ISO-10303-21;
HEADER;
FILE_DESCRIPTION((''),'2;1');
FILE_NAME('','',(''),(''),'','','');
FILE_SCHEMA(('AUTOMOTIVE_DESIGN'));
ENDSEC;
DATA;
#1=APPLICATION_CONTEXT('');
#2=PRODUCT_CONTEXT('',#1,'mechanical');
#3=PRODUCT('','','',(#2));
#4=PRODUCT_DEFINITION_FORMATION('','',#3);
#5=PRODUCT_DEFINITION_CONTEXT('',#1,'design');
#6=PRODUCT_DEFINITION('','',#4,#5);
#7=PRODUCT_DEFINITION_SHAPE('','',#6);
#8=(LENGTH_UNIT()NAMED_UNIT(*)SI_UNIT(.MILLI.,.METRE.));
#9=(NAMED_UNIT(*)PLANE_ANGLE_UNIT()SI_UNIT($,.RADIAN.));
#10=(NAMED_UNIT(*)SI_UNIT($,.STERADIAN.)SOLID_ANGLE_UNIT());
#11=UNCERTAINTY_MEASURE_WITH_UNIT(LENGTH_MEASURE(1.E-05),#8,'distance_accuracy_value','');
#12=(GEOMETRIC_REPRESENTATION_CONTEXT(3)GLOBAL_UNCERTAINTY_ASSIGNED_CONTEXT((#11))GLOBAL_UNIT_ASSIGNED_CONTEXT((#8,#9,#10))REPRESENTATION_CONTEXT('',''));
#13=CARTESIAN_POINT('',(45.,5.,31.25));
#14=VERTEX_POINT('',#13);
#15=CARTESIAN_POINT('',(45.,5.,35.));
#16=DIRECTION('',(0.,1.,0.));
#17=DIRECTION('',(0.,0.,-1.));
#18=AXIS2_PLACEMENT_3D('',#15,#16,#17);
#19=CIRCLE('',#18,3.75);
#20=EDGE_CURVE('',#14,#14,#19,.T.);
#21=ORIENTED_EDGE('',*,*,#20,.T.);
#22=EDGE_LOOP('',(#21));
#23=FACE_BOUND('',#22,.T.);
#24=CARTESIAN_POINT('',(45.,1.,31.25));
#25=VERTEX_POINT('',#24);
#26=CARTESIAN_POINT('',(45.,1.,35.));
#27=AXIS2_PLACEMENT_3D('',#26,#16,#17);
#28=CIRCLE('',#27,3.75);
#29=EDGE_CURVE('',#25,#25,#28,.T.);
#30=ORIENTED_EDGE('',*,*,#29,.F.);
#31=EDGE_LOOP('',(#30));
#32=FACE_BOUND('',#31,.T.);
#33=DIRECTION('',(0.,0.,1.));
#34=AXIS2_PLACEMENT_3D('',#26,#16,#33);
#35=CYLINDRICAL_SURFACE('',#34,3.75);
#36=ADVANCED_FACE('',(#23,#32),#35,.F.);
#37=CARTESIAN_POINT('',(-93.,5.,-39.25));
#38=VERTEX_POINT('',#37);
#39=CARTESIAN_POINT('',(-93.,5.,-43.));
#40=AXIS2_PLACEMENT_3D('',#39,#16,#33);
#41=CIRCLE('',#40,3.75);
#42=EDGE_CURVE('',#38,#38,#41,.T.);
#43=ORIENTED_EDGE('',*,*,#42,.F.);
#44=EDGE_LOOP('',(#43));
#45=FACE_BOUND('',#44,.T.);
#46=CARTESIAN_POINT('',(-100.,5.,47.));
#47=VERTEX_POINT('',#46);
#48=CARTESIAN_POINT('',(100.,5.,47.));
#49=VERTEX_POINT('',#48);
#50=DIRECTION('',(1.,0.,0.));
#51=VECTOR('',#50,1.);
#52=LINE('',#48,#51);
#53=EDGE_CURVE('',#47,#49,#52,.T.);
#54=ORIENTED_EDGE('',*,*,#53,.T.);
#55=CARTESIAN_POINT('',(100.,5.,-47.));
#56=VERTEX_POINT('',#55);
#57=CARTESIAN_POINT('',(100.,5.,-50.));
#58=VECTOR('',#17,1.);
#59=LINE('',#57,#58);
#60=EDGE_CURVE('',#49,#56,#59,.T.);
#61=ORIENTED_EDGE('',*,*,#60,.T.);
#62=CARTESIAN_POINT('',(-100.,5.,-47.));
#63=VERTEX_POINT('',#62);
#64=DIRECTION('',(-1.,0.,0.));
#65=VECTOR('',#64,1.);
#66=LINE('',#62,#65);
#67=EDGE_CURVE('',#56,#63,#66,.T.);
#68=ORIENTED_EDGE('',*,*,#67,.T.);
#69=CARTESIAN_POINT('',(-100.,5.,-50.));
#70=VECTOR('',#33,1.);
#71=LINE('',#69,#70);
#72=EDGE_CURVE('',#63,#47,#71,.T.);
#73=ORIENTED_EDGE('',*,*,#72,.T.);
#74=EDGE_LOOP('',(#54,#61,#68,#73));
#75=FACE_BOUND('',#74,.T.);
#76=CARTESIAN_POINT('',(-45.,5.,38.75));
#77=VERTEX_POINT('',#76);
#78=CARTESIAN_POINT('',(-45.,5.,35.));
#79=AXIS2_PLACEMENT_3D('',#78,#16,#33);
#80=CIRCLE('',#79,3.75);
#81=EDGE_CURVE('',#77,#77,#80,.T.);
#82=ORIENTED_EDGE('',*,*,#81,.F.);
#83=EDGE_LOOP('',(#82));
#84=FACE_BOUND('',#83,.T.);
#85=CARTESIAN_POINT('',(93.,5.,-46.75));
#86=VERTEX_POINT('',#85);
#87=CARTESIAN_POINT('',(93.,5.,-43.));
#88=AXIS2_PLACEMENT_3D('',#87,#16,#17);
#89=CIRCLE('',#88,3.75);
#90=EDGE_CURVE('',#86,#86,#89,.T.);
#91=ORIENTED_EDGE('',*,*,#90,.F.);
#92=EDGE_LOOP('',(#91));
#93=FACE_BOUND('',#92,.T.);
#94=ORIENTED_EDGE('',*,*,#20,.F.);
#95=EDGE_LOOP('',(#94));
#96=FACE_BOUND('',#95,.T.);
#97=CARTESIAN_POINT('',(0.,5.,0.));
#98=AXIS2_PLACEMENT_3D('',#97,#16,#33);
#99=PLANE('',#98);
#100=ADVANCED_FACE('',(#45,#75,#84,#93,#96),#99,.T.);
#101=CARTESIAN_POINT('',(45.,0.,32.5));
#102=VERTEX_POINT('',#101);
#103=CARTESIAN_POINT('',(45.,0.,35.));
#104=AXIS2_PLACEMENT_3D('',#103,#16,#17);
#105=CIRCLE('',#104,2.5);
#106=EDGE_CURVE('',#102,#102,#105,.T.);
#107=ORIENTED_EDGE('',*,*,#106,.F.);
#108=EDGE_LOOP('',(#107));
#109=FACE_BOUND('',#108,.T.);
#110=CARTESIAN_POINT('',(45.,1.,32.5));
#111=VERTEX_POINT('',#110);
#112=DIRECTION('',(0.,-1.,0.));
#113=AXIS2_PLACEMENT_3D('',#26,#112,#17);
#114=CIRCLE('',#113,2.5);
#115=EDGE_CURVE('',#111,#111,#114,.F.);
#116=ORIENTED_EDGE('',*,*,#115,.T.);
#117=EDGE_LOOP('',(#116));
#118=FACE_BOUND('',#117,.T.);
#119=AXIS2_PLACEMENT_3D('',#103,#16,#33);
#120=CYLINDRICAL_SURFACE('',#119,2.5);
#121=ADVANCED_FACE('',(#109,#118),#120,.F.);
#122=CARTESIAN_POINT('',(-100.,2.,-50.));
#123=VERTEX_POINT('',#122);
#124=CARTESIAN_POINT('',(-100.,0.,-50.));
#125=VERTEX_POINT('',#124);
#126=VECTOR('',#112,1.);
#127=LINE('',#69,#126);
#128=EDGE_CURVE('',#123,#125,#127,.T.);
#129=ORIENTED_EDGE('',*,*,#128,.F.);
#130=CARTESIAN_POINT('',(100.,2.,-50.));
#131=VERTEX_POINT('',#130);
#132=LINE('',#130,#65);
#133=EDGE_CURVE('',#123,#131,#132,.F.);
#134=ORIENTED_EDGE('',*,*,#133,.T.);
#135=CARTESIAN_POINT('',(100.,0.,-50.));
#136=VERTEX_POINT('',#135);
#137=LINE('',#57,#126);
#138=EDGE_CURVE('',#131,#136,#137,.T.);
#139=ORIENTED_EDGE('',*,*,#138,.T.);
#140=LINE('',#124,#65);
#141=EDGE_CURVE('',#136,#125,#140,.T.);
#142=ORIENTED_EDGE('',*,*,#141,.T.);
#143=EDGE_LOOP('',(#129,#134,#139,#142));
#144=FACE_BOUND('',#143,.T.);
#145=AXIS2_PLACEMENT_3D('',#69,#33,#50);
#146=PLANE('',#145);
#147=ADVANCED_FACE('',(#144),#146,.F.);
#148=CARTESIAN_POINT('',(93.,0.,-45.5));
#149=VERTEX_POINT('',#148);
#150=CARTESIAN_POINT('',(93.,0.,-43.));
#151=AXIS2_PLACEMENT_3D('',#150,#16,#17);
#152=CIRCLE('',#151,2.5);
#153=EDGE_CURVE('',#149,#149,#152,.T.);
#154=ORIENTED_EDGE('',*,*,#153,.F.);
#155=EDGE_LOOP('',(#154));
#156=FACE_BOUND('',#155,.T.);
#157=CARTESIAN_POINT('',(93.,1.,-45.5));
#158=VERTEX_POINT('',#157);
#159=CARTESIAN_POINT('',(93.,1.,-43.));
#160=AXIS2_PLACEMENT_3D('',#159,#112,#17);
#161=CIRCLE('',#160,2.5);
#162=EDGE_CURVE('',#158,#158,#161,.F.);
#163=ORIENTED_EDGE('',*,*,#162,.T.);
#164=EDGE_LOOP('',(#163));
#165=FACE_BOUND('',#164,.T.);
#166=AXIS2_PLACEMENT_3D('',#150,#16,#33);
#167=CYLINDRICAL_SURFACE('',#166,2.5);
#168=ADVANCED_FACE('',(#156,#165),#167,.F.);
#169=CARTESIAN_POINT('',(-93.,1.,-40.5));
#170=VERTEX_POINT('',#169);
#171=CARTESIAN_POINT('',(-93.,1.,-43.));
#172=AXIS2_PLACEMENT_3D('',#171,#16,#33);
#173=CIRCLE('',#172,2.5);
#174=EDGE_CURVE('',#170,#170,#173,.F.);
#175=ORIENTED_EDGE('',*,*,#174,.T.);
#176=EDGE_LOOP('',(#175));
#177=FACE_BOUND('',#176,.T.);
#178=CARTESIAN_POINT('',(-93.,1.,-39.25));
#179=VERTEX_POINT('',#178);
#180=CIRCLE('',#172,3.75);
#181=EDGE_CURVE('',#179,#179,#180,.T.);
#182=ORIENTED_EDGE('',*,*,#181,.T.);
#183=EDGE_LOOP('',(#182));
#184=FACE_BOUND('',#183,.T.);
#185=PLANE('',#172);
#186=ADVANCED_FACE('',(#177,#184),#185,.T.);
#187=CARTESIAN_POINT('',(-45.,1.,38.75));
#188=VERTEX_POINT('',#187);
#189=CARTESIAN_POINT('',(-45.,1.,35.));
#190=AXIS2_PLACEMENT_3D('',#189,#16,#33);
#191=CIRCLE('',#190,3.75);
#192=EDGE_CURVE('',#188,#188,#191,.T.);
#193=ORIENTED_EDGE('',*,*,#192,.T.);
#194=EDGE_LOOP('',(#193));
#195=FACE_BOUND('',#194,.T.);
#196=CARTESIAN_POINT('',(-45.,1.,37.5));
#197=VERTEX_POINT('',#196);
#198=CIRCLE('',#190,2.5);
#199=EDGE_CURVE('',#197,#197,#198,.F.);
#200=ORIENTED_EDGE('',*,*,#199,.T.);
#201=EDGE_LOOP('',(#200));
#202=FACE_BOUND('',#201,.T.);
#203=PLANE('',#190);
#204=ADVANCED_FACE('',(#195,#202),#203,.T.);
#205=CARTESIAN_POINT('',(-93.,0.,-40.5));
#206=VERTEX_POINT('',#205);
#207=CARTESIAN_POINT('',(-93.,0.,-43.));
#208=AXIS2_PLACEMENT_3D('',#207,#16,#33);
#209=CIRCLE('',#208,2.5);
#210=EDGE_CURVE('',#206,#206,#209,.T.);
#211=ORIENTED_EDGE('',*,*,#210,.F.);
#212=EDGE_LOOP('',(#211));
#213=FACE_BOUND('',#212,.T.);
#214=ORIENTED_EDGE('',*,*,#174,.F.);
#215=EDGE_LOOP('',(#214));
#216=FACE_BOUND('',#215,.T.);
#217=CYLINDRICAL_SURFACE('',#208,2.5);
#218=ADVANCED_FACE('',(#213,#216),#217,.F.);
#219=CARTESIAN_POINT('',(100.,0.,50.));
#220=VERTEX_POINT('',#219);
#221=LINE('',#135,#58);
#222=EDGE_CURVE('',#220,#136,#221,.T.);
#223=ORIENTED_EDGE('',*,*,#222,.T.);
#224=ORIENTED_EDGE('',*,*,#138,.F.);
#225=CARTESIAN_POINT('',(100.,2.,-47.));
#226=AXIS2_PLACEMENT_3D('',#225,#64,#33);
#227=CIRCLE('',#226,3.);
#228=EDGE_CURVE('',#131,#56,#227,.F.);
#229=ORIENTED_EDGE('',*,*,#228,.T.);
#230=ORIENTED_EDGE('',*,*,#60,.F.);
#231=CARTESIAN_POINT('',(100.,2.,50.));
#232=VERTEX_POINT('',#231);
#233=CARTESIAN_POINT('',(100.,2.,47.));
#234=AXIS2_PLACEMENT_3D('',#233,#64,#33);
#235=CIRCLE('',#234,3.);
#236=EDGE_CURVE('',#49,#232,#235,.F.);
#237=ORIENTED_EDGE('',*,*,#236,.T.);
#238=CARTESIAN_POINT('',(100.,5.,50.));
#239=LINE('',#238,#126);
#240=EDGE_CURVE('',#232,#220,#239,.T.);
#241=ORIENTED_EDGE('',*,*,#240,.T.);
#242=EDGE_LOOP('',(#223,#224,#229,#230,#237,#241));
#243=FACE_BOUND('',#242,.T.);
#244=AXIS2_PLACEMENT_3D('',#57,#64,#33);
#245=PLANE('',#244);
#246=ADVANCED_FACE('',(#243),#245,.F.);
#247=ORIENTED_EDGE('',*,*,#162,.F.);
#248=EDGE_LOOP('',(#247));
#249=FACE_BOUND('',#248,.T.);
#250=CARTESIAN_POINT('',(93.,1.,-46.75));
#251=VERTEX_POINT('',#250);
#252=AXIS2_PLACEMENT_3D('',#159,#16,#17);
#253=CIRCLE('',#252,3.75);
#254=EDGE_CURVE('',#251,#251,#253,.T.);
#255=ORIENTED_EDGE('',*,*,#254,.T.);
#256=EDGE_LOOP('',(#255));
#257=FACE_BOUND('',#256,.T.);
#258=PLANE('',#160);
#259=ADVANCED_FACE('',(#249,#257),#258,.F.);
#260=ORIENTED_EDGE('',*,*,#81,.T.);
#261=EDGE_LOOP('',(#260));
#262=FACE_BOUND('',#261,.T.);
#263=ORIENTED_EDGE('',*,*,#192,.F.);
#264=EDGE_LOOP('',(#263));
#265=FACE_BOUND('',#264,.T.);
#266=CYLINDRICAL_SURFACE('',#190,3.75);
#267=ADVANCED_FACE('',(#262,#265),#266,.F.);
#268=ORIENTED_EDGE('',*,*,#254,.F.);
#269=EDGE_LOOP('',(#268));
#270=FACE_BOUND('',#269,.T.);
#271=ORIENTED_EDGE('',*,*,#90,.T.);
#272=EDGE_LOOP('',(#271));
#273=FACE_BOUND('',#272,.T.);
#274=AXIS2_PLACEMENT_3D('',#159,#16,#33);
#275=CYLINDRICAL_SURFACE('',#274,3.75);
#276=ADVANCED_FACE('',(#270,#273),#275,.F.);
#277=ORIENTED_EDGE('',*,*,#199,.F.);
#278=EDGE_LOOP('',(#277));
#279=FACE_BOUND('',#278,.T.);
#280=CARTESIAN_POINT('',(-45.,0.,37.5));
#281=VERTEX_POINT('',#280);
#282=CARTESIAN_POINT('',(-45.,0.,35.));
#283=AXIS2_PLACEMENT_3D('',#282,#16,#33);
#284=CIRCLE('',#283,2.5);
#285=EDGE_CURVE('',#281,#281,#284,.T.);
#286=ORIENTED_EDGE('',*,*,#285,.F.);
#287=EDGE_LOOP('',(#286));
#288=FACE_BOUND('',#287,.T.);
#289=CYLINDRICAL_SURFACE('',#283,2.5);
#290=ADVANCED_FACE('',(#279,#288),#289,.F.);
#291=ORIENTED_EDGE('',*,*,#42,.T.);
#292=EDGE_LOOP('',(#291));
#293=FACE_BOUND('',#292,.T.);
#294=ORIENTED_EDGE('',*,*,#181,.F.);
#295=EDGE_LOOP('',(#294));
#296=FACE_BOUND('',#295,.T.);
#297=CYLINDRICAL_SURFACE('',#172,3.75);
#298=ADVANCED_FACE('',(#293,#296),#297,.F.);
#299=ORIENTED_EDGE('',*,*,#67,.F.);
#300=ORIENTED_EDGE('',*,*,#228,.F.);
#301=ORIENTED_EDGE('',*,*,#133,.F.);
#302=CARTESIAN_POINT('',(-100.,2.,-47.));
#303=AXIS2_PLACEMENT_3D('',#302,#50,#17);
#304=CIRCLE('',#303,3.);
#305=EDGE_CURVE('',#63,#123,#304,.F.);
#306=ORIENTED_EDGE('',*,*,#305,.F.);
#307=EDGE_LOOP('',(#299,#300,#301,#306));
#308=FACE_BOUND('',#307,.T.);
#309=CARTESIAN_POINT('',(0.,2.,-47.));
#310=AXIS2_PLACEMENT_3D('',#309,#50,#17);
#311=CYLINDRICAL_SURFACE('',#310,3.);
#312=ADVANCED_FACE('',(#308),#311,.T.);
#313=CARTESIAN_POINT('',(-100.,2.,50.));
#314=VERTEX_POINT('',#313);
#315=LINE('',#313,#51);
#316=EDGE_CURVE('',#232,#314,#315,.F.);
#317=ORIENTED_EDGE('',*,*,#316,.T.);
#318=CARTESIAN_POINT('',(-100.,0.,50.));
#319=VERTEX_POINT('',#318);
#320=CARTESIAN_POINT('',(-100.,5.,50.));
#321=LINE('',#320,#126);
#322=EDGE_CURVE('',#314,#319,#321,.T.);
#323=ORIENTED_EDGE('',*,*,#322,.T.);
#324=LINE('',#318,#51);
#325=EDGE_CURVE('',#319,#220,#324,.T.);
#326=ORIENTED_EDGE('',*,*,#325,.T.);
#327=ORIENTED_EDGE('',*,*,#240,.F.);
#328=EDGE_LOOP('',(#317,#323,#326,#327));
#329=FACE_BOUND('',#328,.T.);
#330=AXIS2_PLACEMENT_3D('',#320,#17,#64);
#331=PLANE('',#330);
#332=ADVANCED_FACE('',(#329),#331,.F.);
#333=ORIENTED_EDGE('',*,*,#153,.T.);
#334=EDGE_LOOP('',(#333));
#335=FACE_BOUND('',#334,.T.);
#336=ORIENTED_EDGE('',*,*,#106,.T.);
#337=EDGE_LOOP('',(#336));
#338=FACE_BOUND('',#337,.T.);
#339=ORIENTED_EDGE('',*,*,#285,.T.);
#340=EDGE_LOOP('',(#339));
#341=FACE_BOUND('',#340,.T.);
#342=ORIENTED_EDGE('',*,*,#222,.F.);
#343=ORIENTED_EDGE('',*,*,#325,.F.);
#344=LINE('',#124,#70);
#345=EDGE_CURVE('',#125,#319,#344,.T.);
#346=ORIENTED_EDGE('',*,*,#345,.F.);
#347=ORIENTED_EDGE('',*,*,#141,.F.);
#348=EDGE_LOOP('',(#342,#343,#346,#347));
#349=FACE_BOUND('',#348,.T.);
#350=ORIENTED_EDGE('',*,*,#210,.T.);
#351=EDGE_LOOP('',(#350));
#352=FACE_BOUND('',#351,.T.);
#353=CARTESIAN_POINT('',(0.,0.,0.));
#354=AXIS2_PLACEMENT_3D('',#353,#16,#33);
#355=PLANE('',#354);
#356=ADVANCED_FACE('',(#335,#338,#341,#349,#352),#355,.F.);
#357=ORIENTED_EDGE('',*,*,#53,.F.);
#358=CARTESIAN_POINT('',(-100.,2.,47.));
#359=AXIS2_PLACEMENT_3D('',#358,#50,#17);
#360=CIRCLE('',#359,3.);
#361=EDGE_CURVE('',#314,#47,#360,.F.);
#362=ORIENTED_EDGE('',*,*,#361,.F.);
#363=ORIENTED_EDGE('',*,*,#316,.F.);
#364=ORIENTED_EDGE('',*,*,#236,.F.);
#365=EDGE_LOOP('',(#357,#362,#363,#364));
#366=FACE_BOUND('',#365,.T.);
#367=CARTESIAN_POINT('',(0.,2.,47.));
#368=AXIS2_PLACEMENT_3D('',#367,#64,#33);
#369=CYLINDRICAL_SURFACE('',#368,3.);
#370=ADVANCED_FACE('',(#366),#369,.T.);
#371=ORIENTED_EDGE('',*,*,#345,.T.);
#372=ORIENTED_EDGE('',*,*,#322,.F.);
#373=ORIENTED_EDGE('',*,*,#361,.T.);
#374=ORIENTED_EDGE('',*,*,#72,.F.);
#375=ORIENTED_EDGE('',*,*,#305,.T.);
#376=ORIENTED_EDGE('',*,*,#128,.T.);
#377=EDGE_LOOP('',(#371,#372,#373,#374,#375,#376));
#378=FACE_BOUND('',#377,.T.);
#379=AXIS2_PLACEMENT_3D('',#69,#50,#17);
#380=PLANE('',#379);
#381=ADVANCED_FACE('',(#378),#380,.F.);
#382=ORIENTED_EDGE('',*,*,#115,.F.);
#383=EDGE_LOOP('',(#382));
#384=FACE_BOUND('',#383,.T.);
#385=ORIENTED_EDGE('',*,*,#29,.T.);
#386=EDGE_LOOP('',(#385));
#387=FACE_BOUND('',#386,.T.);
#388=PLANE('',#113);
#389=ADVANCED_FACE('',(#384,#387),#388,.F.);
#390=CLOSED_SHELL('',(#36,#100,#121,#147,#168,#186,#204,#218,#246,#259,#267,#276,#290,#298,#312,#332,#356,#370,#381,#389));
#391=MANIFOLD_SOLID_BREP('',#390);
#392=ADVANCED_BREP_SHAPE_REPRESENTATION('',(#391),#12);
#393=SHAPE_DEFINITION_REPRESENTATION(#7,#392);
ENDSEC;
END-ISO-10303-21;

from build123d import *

# Parameters (mm, degrees)
SKETCH1_W           = 200
SKETCH1_H           = 100
BOSS_EXTRUDE1_DEPTH = 5
SKETCH2_R           = 2.5
CUT_EXTRUDE1_DEPTH  = 112.915146428
SKETCH3_R           = 3.75
CUT_EXTRUDE2_DEPTH  = 4
FILLET1_R           = 3


with BuildPart() as part:
    # Sketch1 → Boss-Extrude1 (new body)
    with BuildSketch(Plane(origin=(0, 0, 0), x_dir=(1, 0, 0), z_dir=(0, 1, 0))):
        Rectangle(SKETCH1_W, SKETCH1_H)
    extrude(amount=BOSS_EXTRUDE1_DEPTH)

    # Sketch2 → Cut-Extrude1 (cut, through all)
    with BuildSketch(Plane(origin=(0, 5, 0), x_dir=(1, 0, 0), z_dir=(0, 1, 0))):
        with Locations(Location((-93, 43, 0), (0, 0, 270))):
            Circle(SKETCH2_R)
        with Locations(Location((-45, -35, 0), (0, 0, 270))):
            Circle(SKETCH2_R)
        with Locations(Location((93, 43, 0), (0, 0, 90))):
            Circle(SKETCH2_R)
        with Locations(Location((45, -35, 0), (0, 0, 90))):
            Circle(SKETCH2_R)
    extrude(amount=-CUT_EXTRUDE1_DEPTH, mode=Mode.SUBTRACT)

    # Sketch3 → Cut-Extrude2 (cut)
    with BuildSketch(Plane(origin=(0, 5, 0), x_dir=(1, 0, 0), z_dir=(0, 1, 0))):
        with Locations(Location((-93, 43, 0), (0, 0, 270))):
            Circle(SKETCH3_R)
        with Locations(Location((-45, -35, 0), (0, 0, 270))):
            Circle(SKETCH3_R)
        with Locations(Location((45, -35, 0), (0, 0, 90))):
            Circle(SKETCH3_R)
        with Locations(Location((93, 43, 0), (0, 0, 90))):
            Circle(SKETCH3_R)
    extrude(amount=-CUT_EXTRUDE2_DEPTH, mode=Mode.SUBTRACT)

    # Fillet1
    fillet1_edges = [part.edges().sort_by_distance(p)[0] for p in [
        (0, 5, 50),
        (0, 5, -50),
    ]]
    fillet(fillet1_edges, radius=FILLET1_R)


solid = part.part
